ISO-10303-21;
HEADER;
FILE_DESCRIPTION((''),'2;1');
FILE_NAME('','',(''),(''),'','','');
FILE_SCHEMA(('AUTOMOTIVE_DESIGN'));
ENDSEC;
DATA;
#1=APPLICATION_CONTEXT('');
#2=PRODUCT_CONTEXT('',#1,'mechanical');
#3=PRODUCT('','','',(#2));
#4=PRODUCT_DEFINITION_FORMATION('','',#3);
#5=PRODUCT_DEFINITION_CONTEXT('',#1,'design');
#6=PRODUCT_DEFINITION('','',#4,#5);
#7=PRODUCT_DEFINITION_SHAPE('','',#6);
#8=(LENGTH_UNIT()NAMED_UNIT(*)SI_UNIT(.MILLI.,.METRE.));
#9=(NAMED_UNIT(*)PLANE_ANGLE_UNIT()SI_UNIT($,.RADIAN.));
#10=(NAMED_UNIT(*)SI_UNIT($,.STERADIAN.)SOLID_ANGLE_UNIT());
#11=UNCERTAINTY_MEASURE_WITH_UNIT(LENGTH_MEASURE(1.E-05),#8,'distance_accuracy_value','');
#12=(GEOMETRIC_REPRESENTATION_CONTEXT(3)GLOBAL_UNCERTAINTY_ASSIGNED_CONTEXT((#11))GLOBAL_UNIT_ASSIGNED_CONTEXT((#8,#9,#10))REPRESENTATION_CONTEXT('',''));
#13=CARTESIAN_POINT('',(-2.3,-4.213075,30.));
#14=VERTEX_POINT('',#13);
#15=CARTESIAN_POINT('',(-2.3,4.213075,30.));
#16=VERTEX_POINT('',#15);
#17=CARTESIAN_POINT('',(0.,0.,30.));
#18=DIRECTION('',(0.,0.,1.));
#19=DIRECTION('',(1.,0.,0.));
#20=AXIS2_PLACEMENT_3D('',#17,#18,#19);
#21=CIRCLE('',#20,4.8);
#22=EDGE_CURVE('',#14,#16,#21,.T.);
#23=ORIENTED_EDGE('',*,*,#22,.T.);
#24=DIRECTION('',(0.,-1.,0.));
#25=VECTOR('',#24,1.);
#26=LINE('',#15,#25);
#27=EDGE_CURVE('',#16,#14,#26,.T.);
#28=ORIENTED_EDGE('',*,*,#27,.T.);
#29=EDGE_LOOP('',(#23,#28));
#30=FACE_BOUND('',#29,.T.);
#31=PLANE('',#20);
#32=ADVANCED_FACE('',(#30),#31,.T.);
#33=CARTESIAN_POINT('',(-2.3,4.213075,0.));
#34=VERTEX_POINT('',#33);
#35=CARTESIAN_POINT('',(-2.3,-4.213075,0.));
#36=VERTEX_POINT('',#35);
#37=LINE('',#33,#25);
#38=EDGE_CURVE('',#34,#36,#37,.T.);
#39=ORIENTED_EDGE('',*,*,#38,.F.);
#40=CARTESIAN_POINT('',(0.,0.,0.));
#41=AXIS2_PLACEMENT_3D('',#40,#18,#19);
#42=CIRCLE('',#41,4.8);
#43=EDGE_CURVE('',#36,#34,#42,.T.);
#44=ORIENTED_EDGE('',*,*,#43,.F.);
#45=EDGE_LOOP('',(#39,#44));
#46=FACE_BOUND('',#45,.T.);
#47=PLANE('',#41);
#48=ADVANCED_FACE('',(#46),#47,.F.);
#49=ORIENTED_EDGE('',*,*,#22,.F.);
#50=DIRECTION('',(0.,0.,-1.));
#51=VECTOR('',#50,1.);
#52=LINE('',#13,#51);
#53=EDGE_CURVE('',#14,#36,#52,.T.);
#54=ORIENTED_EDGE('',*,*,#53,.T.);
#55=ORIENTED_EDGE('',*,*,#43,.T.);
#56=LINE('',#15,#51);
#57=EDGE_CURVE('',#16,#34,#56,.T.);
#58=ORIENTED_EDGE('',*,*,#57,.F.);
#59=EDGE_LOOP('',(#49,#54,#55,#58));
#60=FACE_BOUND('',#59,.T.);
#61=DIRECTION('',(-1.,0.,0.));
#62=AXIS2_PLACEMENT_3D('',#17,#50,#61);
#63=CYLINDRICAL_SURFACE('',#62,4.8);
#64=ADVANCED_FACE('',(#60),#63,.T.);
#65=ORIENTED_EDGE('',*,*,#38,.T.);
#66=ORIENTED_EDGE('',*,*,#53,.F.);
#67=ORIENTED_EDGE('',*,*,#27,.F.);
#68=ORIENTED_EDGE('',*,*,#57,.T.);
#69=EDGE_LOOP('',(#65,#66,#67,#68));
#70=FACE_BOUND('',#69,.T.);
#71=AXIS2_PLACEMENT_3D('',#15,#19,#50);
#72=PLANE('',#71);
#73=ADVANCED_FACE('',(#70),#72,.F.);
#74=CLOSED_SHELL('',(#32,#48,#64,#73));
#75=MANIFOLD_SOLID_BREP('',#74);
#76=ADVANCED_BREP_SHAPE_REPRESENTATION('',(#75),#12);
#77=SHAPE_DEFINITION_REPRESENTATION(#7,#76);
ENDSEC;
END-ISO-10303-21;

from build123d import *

# Parameters (mm, degrees)
BOSS_EXTRUDE1_DEPTH = 30


with BuildPart() as part:
    # Sketch1 → Boss-Extrude1 (new body)
    with BuildSketch(Plane.XY):
        with BuildLine():
            Line((-2.3, 4.213074887), (-2.3, -4.213074887))
            ThreePointArc((-2.3, -4.213074887), (4.8, 0), (-2.3, 4.213074887))
        make_face()
    extrude(amount=BOSS_EXTRUDE1_DEPTH)


solid = part.part
